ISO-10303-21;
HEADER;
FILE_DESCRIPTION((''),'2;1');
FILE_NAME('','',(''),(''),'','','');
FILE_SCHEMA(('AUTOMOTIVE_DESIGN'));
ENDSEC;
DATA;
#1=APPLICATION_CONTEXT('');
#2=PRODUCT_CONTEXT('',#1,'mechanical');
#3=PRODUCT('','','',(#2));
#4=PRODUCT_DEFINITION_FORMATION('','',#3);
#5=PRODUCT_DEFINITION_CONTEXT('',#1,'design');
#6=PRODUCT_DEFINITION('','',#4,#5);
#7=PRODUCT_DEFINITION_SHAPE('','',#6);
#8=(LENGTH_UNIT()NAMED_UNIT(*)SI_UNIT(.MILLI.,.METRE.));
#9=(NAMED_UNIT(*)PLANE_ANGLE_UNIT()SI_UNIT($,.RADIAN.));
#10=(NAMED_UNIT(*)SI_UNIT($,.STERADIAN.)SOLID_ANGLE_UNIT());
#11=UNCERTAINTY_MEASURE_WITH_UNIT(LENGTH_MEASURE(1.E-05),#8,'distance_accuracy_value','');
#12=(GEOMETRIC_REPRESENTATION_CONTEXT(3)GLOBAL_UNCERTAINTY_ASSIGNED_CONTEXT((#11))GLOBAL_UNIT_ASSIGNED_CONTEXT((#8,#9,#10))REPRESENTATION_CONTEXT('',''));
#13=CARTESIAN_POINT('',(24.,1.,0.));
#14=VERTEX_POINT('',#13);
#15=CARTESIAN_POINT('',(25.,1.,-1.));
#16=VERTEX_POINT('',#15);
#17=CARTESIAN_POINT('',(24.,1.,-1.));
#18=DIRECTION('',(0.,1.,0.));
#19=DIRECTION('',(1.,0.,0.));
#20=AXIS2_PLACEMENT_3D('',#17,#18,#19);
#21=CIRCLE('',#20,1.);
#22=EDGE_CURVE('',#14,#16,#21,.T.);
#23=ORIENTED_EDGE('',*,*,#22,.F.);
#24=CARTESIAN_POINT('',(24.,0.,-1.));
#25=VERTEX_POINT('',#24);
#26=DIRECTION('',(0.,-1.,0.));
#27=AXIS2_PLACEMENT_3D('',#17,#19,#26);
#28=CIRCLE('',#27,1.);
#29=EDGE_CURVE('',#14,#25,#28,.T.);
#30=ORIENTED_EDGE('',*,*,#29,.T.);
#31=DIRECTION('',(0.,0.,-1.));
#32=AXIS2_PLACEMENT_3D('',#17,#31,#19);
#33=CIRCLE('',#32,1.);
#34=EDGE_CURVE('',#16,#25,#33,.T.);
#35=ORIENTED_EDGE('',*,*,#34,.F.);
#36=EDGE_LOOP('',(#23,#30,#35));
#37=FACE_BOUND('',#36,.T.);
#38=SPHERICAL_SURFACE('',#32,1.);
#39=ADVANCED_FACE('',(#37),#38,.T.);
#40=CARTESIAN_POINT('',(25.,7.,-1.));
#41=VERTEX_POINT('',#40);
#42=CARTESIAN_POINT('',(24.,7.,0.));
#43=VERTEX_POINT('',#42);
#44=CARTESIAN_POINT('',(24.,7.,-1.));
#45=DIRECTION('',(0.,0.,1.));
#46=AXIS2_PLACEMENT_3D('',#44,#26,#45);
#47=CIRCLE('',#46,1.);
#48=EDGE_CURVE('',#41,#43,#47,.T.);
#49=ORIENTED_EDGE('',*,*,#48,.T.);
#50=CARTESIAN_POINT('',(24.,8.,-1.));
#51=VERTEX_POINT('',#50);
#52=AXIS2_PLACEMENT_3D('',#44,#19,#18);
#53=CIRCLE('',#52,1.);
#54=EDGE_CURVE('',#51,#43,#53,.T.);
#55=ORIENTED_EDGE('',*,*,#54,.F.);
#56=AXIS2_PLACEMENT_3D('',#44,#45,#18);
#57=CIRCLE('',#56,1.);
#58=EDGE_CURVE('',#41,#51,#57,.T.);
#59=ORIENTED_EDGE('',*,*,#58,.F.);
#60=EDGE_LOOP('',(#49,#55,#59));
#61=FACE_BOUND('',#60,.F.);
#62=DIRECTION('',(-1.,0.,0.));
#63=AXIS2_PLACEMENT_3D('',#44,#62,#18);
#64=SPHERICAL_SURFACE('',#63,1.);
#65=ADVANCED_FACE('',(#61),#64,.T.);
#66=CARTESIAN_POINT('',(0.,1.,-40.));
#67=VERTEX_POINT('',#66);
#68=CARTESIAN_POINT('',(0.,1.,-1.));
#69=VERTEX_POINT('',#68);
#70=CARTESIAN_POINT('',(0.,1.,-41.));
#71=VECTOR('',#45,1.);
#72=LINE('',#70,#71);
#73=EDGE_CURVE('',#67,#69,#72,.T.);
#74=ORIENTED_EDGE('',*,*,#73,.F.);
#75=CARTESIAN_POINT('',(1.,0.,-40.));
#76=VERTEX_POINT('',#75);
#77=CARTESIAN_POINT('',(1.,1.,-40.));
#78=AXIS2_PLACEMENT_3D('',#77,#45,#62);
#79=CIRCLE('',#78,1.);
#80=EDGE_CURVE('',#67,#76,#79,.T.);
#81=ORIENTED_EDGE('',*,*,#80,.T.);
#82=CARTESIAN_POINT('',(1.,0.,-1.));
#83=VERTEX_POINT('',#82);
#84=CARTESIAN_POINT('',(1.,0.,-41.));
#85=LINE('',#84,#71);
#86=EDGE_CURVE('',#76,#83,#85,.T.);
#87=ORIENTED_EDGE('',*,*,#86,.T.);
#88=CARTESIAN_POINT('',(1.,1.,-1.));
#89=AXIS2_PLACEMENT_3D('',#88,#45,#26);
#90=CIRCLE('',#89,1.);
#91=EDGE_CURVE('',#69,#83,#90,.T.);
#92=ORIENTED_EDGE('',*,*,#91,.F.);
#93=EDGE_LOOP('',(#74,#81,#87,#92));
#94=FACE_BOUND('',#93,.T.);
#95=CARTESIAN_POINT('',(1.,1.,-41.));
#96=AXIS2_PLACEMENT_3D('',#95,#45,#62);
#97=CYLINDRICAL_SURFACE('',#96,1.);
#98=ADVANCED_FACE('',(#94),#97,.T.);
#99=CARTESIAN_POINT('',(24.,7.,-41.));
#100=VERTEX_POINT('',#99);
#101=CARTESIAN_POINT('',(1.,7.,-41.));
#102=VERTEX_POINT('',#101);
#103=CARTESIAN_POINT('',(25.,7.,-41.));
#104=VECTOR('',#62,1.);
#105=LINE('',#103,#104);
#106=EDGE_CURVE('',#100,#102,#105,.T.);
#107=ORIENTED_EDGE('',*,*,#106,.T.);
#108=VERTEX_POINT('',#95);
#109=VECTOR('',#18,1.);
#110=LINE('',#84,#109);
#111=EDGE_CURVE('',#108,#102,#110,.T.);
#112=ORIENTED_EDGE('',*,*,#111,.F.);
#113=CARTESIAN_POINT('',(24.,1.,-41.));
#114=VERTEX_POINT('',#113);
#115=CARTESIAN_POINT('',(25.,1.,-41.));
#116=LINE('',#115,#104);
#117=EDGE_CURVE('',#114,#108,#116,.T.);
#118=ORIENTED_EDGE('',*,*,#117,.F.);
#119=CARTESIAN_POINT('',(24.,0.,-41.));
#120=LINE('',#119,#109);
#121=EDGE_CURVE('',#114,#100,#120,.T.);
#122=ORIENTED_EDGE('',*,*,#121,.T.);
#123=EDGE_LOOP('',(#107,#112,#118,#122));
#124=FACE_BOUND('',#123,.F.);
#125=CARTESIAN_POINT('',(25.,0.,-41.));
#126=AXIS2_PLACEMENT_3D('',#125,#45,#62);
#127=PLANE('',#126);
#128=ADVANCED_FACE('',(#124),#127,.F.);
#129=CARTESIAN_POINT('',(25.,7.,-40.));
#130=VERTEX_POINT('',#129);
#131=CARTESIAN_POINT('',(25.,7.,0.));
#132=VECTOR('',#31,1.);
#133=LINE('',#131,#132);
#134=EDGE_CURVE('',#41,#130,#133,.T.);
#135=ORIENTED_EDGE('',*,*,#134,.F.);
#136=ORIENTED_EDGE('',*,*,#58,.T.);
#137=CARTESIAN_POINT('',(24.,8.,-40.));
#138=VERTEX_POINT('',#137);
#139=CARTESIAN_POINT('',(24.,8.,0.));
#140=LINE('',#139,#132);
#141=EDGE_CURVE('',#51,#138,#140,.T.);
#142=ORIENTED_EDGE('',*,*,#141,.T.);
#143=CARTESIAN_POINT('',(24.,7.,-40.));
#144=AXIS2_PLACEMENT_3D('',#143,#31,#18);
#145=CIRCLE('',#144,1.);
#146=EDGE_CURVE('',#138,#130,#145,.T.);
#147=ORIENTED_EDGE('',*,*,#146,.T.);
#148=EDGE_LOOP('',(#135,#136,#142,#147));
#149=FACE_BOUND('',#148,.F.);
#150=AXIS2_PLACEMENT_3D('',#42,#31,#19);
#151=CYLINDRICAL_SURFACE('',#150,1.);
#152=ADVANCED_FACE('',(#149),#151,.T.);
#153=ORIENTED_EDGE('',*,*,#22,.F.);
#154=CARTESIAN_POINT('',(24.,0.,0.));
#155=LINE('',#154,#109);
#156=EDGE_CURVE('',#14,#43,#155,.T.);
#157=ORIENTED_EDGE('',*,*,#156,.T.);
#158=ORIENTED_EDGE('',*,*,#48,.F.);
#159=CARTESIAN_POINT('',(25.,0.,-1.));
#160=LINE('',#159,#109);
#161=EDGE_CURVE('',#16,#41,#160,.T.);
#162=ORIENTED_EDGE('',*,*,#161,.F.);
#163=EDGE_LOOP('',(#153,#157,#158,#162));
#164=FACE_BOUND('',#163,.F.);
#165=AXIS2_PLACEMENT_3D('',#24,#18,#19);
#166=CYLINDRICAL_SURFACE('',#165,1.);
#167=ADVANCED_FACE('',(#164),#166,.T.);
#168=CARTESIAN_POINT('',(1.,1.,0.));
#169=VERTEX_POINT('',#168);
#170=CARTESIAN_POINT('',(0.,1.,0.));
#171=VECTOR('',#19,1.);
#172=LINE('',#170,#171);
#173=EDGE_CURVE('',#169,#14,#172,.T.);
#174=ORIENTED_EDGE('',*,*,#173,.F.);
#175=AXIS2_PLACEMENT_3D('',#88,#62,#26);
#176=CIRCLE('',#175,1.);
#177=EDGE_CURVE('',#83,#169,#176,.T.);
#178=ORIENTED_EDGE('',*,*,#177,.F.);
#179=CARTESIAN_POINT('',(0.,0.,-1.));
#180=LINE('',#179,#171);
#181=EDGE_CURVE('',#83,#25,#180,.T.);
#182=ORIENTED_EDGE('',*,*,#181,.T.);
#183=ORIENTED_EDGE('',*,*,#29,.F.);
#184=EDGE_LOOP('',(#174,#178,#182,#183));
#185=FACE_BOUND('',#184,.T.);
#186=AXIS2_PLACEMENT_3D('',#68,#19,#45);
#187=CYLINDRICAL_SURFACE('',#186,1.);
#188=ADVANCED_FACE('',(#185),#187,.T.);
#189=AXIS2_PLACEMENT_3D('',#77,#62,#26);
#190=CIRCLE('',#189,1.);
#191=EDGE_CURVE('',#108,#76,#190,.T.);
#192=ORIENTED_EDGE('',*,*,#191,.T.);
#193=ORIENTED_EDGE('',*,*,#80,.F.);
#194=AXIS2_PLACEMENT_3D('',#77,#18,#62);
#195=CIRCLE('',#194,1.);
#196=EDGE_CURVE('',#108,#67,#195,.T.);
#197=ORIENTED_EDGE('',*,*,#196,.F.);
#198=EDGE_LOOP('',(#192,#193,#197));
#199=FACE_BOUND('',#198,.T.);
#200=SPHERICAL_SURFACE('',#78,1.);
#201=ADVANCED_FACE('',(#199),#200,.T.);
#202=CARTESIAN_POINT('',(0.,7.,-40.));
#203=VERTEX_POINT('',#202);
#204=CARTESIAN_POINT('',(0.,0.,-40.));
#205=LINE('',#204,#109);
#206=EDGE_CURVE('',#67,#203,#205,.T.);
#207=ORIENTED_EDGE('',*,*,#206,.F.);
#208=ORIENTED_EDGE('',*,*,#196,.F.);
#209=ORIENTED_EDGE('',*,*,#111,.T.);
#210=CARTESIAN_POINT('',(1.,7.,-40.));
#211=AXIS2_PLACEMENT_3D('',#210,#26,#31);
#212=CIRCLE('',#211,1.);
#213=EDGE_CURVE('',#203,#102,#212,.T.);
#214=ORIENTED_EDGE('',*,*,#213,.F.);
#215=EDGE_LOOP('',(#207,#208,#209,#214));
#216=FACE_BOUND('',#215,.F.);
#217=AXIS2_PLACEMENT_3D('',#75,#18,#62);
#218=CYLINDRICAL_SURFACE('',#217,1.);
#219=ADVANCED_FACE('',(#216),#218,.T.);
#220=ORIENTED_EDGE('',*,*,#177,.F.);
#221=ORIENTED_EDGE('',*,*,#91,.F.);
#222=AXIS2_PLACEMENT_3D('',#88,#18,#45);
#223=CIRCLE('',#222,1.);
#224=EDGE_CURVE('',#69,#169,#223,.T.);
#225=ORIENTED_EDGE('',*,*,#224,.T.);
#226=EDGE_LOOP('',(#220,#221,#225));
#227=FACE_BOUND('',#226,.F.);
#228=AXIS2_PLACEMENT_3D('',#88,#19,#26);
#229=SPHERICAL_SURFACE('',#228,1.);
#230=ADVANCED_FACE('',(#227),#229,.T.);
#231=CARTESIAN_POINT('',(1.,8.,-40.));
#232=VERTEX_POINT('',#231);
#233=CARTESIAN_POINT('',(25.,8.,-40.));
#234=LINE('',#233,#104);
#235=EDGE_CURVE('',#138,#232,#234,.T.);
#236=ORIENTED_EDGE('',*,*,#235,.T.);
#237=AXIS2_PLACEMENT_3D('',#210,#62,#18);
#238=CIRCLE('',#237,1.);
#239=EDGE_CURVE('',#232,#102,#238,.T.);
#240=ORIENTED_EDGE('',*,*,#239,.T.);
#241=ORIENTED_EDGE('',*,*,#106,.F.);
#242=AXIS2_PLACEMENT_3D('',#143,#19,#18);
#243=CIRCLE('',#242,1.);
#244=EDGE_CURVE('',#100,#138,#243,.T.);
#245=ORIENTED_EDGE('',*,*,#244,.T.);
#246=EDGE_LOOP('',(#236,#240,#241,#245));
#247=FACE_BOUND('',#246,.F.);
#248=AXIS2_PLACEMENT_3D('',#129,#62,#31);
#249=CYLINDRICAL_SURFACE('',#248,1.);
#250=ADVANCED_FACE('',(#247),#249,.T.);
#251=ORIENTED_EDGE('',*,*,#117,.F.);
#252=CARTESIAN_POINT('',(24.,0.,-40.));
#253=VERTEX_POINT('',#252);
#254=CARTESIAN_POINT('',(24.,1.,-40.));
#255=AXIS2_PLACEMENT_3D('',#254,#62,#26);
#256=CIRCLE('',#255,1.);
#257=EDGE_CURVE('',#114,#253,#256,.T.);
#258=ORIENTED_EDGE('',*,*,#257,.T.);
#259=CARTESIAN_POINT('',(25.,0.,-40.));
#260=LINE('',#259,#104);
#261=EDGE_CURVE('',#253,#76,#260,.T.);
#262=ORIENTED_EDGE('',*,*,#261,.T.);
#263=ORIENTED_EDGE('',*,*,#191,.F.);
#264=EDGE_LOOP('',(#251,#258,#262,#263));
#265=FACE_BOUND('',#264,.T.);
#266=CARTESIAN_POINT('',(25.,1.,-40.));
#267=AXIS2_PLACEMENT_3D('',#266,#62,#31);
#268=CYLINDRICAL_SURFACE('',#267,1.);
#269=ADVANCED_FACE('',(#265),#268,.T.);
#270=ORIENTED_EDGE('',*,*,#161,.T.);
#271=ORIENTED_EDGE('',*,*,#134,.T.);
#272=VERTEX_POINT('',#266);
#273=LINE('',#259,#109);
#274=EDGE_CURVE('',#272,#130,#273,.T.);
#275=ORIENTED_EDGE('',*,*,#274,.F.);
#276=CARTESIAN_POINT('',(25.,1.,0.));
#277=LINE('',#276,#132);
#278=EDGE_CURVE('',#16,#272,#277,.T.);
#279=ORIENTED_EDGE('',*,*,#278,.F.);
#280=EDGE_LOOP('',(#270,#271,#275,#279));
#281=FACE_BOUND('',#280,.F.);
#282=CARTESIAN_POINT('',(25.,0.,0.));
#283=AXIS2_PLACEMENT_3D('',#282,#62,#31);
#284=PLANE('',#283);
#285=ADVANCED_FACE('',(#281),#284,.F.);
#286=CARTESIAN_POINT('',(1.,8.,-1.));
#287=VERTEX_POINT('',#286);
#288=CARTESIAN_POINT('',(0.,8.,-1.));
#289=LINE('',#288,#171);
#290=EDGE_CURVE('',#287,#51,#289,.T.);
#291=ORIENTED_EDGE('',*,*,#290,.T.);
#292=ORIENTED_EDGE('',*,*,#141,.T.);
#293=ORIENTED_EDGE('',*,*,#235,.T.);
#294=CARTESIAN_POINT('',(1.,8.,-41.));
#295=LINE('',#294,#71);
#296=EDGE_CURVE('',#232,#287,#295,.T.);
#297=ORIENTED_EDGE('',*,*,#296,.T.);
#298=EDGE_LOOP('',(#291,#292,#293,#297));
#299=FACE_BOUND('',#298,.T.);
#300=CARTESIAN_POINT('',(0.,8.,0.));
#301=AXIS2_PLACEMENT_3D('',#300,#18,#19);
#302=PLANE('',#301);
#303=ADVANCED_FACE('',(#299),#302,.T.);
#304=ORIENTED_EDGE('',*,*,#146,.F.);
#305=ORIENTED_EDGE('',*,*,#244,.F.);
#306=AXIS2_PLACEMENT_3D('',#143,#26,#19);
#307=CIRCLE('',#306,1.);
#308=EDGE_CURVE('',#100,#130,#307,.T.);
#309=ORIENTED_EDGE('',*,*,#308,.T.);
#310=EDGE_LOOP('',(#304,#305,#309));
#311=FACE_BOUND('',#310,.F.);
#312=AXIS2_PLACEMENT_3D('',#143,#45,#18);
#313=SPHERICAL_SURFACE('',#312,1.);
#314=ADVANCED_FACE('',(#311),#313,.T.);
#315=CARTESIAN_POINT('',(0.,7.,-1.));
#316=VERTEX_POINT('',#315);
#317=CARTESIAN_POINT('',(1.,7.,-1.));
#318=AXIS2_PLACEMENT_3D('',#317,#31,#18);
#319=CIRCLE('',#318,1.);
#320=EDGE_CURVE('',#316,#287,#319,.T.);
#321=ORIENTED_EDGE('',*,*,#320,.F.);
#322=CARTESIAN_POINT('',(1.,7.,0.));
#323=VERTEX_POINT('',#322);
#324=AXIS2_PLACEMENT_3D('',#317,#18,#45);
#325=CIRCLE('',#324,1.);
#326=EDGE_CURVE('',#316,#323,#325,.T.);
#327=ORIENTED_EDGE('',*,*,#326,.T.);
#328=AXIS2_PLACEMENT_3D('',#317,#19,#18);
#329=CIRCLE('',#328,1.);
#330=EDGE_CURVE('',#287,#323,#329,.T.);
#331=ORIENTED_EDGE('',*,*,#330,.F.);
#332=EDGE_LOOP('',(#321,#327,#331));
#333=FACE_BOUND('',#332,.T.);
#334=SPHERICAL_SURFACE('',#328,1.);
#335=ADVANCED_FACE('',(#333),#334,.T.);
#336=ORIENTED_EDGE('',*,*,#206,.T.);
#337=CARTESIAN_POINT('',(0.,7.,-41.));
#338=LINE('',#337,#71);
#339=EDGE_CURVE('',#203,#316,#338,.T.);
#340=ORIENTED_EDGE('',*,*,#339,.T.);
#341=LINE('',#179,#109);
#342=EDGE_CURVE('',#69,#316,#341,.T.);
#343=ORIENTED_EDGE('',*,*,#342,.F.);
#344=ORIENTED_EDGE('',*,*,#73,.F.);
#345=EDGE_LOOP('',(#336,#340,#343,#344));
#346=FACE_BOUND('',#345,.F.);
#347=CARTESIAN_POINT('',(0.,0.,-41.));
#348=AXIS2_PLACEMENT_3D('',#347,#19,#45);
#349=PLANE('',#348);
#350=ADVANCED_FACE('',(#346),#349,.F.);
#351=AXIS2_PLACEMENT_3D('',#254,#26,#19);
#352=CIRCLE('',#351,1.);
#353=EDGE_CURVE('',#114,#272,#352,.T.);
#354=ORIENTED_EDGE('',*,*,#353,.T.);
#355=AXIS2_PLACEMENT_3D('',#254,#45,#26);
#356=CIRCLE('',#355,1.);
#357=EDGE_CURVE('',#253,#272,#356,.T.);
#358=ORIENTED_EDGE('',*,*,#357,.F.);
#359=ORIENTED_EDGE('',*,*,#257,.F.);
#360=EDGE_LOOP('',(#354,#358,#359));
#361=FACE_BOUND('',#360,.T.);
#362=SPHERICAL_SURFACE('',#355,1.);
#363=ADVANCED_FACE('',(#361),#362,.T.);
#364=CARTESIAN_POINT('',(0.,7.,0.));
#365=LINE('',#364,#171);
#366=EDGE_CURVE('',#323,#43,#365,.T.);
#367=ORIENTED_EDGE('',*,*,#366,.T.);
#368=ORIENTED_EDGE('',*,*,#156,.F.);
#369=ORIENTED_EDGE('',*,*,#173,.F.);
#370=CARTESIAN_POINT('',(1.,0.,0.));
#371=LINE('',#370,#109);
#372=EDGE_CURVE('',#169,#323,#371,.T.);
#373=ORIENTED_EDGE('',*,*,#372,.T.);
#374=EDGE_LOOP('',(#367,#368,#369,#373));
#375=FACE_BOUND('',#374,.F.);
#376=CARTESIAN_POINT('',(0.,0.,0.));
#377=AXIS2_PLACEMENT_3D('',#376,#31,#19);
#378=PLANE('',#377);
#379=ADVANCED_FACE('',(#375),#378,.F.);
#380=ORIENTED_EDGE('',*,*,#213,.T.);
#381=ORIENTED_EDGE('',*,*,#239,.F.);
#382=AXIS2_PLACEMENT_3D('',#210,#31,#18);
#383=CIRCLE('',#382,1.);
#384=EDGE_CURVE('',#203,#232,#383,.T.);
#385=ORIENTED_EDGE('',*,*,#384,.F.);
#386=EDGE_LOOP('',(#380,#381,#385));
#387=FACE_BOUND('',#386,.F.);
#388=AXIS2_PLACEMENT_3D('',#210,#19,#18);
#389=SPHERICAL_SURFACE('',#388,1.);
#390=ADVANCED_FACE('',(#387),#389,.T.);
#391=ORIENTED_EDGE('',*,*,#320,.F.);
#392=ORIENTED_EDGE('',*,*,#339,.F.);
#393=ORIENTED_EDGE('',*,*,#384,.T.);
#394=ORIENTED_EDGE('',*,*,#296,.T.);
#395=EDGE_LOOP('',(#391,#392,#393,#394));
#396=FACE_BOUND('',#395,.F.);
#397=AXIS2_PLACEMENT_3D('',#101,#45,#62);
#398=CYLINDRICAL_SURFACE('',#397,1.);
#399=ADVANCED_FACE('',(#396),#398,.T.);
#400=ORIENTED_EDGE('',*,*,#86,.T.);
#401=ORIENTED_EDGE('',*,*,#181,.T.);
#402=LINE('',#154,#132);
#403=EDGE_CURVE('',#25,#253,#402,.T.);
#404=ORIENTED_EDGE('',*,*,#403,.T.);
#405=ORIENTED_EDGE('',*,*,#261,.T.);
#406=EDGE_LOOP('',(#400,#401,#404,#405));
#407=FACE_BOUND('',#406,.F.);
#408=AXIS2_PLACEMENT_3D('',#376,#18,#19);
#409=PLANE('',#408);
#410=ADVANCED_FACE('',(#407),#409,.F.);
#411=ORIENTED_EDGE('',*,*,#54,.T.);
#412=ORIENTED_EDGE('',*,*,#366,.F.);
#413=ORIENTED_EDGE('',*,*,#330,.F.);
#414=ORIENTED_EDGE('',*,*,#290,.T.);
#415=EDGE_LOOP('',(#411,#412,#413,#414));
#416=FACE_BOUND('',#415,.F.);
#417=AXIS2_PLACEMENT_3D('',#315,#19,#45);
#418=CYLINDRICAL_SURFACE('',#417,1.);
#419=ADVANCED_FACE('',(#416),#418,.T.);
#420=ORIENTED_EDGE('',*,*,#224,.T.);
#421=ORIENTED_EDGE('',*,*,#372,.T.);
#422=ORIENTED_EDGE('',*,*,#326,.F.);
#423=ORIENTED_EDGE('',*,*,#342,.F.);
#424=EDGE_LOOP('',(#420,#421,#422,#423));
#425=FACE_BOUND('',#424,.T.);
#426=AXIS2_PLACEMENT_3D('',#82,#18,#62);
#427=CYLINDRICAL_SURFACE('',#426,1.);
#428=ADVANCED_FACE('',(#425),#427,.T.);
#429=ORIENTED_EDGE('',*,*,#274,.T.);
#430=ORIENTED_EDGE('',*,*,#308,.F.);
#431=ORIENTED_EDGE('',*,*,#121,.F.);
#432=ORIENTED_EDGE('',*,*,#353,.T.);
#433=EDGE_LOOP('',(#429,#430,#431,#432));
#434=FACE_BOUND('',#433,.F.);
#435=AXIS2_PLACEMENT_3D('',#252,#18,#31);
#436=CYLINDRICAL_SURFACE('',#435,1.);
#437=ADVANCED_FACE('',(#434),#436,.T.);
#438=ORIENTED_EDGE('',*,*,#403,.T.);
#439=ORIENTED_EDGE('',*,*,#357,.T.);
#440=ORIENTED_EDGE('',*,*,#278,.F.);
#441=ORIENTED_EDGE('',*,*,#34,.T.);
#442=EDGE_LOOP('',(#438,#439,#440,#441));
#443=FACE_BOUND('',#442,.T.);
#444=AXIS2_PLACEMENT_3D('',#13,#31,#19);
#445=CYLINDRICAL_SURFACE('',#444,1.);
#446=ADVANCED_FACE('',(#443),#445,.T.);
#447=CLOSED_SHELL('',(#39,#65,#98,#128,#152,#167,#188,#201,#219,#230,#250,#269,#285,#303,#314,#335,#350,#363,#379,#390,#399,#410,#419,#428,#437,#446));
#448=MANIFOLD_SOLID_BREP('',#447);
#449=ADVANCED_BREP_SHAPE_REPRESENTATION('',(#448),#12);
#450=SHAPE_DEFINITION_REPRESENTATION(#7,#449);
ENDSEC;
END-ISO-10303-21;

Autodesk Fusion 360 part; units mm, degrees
sketch "Sketch1" plane through (0, 0, 0) normal (0, 1, 0) x (1, 0, 0)
  line L0 (0, 0) -> (25, 0)
  line L1 (25, 0) -> (25, 41)
  line L2 (25, 41) -> (0, 41)
  line L3 (0, 41) -> (0, 0)
  dimension "d1" = 25
  dimension "d2" = 41
extrude "Extrude1" add sketch "Sketch1" along normal blind 8
fillet "Fillet1" radius 1 12 edges at (12.5, 8, 0) (25, 8, -20.5) (12.5, 8, -41) (0, 8, -20.5) (25, 0, -20.5) (25, 4, 0) (12.5, 0, 0) (0, 0, -20.5) (0, 4, 0) (0, 4, -41) (12.5, 0, -41) (25, 4, -41)
